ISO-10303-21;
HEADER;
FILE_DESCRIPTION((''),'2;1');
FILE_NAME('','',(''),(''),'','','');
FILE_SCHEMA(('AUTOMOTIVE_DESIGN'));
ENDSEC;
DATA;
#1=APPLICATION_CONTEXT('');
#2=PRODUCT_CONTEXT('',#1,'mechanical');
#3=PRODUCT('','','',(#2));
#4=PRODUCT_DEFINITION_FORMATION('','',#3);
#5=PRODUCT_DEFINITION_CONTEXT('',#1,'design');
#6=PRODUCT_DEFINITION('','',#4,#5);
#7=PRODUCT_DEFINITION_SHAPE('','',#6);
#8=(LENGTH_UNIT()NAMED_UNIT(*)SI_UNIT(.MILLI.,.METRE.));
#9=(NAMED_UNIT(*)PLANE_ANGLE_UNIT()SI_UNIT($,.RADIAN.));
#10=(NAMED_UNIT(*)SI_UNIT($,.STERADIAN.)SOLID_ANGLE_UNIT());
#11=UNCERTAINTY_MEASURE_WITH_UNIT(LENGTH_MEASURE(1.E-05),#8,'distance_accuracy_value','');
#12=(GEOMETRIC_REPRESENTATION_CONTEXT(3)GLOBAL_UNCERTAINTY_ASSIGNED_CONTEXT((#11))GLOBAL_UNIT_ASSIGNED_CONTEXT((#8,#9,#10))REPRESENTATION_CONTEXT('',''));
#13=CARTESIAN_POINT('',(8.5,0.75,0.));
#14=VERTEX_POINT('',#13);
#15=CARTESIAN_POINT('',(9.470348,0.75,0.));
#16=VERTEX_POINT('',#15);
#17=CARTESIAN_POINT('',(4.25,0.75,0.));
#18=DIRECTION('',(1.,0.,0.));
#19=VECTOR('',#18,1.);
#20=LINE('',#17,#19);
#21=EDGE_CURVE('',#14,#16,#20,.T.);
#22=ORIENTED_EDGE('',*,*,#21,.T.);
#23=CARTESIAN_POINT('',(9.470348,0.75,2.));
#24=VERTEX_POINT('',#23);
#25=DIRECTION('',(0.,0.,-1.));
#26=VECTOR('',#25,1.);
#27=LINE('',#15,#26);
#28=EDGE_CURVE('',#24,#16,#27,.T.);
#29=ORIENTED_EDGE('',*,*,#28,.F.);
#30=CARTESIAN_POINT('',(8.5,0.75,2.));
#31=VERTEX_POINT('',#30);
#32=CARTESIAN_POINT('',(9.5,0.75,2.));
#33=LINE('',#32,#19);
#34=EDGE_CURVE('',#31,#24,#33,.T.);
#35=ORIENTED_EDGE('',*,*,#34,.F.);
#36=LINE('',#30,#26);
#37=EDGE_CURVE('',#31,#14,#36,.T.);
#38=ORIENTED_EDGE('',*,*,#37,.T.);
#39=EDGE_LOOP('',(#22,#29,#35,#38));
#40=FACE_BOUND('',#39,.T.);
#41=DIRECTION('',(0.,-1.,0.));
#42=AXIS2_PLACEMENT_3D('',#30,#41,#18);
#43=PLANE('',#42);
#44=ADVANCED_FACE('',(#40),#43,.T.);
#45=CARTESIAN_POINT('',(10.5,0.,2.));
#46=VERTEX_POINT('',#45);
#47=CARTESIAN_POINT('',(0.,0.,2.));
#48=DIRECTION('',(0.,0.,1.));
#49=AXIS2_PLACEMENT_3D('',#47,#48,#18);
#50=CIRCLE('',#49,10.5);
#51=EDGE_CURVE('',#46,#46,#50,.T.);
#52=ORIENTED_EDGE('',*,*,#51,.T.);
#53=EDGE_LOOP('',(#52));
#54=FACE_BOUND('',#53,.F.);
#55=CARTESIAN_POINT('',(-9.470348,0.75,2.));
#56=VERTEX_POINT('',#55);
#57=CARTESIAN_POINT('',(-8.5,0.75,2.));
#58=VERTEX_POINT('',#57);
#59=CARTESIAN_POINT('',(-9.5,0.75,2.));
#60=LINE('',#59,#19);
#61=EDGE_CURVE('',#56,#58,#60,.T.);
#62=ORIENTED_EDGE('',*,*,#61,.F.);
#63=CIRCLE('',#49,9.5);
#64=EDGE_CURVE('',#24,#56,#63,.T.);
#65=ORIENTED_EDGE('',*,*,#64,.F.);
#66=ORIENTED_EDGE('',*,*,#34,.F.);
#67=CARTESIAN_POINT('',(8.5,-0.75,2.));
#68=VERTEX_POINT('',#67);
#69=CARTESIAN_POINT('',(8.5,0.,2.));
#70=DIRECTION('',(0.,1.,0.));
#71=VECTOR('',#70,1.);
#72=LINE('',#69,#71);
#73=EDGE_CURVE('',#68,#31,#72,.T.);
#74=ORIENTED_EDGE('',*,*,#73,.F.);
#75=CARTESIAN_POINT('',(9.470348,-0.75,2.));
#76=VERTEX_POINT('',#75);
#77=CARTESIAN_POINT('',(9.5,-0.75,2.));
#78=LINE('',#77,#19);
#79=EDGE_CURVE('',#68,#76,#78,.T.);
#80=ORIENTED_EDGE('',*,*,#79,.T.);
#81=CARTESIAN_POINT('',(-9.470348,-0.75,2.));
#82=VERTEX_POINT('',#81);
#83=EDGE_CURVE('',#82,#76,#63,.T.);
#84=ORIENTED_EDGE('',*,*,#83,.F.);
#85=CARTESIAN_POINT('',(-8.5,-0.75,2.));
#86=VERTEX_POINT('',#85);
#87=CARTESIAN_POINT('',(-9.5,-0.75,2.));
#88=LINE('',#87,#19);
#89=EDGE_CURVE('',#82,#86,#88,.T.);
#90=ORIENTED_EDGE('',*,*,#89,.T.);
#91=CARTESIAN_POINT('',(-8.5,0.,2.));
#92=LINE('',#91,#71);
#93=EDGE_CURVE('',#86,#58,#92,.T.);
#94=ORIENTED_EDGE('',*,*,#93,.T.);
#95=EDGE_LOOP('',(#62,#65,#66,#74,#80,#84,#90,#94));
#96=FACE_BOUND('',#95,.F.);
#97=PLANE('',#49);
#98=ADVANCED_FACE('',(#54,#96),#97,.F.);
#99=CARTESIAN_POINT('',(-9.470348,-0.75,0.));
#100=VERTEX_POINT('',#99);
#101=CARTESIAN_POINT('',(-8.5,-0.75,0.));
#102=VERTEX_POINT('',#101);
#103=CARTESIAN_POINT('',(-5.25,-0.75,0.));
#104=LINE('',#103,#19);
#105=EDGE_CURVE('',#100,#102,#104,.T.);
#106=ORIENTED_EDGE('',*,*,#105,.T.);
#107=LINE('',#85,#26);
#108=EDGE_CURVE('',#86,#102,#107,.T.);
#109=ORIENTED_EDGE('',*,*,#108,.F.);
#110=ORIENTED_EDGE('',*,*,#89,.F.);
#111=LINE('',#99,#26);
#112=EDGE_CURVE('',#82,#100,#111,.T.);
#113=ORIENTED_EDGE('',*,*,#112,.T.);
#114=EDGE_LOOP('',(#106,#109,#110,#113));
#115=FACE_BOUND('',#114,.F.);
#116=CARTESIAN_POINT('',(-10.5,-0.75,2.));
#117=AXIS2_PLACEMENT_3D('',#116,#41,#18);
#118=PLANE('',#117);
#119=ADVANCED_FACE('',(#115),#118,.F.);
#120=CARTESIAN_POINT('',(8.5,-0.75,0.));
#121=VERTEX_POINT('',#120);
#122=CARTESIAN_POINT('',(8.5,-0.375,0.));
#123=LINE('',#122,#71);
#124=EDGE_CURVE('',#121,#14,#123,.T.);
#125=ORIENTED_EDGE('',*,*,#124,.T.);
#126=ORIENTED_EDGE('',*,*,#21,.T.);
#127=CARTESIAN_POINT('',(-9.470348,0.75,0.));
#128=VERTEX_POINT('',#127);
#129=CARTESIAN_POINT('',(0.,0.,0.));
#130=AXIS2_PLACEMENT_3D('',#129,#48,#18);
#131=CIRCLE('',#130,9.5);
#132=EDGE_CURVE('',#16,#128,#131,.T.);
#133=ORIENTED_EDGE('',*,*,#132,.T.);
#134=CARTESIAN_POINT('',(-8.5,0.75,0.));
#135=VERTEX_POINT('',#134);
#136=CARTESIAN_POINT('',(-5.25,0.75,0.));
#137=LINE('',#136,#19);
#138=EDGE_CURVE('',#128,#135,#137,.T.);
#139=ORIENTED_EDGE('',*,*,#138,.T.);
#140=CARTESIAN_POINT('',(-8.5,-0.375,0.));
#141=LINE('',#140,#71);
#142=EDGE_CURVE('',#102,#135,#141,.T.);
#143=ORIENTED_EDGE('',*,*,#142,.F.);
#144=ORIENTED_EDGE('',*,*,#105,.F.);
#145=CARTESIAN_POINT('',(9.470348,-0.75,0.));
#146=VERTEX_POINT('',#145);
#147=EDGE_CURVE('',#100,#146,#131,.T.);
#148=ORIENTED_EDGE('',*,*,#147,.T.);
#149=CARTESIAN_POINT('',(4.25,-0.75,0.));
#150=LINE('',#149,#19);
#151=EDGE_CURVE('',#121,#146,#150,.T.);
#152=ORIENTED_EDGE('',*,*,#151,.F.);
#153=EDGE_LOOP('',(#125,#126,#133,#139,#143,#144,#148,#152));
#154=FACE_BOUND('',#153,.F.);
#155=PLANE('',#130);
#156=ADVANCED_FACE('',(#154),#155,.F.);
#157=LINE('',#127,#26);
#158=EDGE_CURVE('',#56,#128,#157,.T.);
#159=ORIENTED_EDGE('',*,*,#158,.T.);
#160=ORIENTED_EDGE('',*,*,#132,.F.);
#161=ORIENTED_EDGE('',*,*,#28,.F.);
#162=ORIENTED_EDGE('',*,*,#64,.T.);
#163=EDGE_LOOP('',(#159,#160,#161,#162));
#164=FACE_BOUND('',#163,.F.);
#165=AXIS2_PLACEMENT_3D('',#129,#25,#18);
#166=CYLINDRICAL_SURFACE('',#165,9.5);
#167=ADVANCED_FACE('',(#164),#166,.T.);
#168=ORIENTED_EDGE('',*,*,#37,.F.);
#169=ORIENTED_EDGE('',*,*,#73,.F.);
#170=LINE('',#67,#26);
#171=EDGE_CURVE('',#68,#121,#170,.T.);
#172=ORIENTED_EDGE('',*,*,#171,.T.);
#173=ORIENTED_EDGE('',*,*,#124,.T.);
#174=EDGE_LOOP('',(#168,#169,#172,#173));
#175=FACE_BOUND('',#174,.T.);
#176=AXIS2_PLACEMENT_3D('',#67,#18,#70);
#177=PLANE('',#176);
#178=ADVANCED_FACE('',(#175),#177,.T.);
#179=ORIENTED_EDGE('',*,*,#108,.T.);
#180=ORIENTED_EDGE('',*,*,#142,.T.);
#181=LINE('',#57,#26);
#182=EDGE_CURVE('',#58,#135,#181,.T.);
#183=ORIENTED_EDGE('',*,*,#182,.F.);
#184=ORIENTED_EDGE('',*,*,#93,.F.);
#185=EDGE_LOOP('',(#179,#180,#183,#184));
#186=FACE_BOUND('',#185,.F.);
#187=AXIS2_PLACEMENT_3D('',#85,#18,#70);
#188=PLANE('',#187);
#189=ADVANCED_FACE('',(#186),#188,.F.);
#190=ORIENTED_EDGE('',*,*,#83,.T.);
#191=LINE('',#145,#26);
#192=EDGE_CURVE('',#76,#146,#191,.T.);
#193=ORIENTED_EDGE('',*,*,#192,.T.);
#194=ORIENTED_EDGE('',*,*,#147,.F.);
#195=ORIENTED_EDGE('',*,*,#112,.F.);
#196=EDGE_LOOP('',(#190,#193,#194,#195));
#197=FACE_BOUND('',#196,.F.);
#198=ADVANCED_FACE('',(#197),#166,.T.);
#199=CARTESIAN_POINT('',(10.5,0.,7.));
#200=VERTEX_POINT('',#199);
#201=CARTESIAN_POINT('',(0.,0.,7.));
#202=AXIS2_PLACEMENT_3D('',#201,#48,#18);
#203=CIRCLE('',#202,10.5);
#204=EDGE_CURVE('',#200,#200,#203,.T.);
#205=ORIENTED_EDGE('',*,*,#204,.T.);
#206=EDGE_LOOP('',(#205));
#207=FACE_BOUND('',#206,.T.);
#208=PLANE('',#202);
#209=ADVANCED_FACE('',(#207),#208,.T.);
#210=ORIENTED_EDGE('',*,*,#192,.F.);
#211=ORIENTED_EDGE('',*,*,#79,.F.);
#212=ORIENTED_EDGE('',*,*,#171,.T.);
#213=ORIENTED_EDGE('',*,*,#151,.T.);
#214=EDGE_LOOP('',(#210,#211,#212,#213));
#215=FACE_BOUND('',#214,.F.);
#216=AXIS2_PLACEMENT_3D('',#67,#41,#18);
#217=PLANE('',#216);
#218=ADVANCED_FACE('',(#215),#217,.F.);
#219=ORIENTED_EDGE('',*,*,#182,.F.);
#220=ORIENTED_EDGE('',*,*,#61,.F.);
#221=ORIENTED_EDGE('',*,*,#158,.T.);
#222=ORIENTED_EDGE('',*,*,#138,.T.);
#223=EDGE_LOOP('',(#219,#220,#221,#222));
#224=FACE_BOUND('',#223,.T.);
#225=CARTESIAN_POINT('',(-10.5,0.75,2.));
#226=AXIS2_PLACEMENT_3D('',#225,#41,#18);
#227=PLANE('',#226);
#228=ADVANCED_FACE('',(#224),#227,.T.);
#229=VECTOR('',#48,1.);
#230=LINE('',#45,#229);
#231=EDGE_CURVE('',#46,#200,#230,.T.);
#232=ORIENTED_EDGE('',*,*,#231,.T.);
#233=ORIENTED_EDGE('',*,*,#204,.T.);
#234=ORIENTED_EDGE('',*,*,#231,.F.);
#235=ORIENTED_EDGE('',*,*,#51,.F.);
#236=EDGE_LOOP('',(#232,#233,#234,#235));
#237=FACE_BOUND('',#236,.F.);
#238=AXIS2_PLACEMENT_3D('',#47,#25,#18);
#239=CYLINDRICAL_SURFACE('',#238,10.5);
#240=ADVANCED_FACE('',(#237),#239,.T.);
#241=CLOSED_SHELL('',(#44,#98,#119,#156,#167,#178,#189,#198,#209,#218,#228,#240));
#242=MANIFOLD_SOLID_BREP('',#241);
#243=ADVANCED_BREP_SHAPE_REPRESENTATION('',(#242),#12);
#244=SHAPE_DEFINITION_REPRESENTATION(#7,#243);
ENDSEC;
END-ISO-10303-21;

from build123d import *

# Parameters (mm, degrees)
SKETCH_R     = 9.5
PAD_DEPTH    = 2
SKETCH001_W  = 2
SKETCH001_H  = 1.5
POCKET_DEPTH = 5
SKETCH002_R  = 10.5
PAD001_DEPTH = 5


with BuildPart() as part:
    # Sketch → Pad (new body)
    with BuildSketch(Plane.XY):
        Circle(SKETCH_R)
    extrude(amount=PAD_DEPTH)

    # Sketch001 (on Face3 of Pad) → Pocket (cut)
    with BuildSketch(Plane.XY.offset(2)):
        with Locations((9.5, 0)):
            Rectangle(SKETCH001_W, SKETCH001_H)
        with Locations((-9.5, 0)):
            Rectangle(SKETCH001_W, SKETCH001_H)
    extrude(amount=-POCKET_DEPTH, mode=Mode.SUBTRACT)

    # Sketch002 (on Face4 of Pocket) → Pad001 (join)
    with BuildSketch(Plane.XY.offset(2)):
        Circle(SKETCH002_R)
    extrude(amount=PAD001_DEPTH)


solid = part.part
